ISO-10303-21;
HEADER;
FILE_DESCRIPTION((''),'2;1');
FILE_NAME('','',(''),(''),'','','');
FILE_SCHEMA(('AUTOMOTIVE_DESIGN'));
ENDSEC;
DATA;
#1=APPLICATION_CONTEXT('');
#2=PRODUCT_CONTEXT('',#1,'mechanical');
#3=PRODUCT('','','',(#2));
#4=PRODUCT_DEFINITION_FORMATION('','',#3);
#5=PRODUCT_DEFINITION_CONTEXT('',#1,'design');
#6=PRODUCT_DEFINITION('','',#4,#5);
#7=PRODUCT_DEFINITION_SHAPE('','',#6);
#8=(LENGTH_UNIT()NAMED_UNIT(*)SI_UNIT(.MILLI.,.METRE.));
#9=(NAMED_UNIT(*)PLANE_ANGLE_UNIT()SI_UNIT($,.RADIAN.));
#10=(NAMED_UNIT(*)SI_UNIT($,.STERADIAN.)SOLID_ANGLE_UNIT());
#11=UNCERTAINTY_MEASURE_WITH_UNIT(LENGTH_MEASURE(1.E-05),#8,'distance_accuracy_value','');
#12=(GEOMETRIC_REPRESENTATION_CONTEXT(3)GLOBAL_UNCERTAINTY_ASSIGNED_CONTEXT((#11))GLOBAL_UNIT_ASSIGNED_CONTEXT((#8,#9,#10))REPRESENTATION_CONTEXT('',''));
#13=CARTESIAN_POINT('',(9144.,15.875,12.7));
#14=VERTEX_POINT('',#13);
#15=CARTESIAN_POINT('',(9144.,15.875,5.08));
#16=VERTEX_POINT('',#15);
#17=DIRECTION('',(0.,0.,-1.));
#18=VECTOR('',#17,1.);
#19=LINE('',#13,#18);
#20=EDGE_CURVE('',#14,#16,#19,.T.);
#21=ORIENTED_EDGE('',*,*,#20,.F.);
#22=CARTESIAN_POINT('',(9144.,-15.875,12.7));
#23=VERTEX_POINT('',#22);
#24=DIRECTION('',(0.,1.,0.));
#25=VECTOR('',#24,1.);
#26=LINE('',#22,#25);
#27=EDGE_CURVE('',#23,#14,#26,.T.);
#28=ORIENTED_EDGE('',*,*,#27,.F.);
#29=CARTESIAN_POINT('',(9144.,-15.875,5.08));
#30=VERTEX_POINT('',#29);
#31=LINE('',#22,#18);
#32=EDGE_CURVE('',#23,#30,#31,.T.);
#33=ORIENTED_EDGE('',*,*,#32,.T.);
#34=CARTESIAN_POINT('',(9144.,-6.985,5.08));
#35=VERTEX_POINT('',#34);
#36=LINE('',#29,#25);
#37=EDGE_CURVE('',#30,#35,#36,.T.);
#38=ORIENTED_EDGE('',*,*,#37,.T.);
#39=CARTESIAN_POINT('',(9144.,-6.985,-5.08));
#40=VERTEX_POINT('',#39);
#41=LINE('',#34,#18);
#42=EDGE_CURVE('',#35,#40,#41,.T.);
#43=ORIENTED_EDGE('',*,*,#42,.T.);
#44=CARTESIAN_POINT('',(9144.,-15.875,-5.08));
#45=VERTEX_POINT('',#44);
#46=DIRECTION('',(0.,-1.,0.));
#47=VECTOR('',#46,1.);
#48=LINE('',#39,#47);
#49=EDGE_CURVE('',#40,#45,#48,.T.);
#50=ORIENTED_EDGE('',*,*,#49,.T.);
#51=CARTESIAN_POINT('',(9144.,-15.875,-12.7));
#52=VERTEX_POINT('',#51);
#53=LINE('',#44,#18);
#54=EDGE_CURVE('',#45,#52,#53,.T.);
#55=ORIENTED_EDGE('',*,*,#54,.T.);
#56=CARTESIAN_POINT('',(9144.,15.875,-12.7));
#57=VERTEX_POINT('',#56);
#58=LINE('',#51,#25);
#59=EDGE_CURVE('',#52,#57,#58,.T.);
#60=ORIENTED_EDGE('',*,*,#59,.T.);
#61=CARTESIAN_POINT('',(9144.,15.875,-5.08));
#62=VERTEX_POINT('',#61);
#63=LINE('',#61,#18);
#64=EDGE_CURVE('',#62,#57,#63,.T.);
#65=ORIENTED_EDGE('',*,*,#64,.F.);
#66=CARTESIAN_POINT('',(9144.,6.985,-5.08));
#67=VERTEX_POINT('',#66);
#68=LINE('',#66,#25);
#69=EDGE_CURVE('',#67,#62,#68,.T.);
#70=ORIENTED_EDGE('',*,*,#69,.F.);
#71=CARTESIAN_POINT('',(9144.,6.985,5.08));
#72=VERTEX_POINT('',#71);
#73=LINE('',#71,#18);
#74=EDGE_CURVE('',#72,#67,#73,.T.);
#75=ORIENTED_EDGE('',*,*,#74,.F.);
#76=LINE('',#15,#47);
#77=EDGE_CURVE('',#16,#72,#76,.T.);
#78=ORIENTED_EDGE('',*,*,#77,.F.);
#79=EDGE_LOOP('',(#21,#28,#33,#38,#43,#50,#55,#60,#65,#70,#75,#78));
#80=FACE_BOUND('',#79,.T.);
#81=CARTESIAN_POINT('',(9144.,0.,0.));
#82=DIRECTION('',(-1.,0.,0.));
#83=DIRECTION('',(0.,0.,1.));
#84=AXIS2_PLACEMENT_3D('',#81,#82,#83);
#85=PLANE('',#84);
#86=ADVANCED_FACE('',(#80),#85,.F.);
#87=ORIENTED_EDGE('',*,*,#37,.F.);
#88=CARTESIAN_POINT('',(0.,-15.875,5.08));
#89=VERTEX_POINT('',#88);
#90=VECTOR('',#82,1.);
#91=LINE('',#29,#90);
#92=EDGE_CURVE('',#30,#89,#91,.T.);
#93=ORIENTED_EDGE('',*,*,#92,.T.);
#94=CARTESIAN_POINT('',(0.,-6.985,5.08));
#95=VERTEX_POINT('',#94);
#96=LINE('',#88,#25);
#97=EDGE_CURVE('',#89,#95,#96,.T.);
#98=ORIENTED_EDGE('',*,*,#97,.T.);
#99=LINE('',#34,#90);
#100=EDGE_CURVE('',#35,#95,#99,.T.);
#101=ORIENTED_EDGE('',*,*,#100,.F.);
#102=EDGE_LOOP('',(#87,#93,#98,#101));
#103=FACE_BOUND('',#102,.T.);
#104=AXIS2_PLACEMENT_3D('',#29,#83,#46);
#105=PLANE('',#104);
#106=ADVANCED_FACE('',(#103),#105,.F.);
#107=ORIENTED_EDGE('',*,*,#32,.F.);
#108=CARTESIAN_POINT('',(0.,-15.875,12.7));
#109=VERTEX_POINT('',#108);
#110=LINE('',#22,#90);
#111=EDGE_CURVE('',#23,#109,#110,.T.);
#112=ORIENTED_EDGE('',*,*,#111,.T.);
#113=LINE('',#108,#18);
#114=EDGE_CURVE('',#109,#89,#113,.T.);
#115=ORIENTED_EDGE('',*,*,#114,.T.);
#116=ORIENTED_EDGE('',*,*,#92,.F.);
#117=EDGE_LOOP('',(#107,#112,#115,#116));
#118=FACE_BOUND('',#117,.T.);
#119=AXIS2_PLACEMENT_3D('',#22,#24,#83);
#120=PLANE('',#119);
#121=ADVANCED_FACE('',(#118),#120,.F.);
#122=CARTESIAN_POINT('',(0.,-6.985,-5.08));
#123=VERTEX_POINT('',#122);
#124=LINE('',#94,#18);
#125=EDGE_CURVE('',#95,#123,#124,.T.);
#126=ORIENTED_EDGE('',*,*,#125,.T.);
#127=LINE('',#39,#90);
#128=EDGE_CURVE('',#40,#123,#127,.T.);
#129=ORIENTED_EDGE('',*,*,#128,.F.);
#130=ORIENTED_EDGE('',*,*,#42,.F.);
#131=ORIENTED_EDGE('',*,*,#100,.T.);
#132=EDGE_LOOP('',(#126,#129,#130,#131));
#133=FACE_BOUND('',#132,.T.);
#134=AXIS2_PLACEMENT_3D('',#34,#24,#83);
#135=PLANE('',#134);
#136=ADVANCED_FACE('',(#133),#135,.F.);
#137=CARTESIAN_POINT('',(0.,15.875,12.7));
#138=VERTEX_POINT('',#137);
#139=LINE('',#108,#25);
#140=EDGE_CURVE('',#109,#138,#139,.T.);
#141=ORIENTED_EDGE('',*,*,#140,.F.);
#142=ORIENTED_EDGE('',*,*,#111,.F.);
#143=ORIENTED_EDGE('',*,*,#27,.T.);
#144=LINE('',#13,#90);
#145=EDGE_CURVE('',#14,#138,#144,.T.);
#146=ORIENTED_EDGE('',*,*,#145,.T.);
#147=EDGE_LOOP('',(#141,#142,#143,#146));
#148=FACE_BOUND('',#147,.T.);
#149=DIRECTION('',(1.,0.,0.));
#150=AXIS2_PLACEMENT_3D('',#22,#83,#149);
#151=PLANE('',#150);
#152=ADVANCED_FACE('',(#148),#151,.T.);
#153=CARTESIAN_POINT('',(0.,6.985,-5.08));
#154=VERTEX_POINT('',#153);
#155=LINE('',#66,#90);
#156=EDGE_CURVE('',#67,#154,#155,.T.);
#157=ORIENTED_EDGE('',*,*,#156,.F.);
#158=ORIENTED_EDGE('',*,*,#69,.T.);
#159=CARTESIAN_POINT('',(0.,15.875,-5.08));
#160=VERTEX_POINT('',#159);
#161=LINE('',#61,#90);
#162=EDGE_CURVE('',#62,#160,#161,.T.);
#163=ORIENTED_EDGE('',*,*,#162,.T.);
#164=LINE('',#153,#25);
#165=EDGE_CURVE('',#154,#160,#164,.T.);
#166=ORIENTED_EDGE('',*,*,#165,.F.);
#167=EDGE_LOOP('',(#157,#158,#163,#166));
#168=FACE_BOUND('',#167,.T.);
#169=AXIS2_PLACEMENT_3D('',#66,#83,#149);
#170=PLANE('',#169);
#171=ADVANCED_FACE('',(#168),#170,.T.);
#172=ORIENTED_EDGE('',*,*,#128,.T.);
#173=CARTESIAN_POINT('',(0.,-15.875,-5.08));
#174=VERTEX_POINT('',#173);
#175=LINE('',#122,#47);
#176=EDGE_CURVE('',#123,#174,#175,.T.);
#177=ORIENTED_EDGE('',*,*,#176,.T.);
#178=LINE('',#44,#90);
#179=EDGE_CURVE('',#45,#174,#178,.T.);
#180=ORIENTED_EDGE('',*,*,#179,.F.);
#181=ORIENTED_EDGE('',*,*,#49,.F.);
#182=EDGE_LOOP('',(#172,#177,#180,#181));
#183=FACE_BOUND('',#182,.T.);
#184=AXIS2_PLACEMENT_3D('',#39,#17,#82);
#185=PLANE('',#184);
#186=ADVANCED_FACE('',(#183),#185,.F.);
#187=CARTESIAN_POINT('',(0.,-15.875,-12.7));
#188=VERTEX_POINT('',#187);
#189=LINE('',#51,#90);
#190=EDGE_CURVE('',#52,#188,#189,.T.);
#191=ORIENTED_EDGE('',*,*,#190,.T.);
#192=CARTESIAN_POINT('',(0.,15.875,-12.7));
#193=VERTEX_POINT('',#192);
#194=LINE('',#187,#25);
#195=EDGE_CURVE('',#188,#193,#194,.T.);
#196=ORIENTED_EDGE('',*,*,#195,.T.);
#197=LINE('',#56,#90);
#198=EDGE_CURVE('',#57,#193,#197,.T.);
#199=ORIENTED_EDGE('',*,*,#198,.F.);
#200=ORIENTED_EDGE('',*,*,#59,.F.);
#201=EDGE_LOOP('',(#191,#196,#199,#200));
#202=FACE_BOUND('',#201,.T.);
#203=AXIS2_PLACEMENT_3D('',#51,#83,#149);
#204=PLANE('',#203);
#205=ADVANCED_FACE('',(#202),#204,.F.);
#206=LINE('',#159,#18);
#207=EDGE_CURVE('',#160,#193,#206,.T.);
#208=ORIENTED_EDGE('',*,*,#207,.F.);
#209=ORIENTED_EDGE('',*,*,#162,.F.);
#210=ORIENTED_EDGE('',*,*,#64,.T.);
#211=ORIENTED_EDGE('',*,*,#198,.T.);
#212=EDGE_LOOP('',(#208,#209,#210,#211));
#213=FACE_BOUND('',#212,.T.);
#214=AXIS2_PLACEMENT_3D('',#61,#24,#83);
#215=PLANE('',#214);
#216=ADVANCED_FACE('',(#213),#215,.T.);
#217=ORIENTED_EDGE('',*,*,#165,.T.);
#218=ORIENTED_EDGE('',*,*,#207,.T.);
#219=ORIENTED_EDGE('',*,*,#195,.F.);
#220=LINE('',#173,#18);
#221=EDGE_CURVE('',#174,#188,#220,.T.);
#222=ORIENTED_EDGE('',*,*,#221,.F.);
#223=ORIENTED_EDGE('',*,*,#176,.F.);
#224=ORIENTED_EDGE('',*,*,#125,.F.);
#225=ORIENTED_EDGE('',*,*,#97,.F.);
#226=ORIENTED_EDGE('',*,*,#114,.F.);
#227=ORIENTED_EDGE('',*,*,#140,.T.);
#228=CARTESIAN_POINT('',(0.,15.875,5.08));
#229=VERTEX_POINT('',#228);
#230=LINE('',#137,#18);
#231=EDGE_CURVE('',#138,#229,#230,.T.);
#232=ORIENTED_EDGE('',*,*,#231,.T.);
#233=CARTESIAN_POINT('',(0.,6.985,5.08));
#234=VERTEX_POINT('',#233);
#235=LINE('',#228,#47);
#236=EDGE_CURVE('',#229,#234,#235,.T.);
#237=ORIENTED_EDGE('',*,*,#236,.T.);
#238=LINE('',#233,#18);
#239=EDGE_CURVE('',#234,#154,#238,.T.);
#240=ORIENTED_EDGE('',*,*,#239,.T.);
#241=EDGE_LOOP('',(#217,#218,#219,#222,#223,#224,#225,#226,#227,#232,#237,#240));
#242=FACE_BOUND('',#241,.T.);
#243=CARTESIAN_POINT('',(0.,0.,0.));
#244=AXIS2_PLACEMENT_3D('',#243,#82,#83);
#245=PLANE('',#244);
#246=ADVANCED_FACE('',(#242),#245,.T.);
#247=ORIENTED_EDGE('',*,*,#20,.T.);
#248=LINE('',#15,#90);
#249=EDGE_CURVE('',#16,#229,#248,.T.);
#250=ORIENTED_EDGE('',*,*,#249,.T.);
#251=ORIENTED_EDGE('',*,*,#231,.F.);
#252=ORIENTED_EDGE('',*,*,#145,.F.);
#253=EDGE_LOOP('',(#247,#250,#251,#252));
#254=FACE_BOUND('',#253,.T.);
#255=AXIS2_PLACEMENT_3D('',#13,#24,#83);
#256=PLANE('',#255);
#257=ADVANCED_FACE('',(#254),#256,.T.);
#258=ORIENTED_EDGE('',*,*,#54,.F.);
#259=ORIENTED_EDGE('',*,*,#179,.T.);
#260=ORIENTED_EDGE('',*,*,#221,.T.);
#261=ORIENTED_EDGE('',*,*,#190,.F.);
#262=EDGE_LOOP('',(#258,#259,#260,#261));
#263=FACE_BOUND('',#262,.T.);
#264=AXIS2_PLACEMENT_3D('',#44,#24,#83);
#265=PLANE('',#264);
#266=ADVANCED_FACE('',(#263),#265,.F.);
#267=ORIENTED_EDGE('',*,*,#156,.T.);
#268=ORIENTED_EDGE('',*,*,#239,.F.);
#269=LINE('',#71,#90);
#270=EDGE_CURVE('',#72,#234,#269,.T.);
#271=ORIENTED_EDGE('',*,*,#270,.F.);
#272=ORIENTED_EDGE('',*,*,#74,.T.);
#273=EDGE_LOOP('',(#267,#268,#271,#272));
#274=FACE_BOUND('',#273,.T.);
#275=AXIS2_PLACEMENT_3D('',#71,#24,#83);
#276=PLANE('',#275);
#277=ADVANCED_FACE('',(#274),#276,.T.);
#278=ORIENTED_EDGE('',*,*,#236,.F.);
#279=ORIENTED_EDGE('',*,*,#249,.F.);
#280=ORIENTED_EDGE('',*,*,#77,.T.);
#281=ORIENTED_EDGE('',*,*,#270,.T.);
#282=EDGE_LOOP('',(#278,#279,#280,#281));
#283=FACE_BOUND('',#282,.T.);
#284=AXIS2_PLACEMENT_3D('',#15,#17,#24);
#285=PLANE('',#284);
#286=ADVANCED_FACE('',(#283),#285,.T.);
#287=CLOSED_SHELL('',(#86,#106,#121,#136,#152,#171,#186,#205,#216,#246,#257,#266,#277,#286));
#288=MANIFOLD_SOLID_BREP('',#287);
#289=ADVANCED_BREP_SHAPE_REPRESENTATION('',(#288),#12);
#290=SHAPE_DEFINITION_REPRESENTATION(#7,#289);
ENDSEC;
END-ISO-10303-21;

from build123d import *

# Parameters (mm, degrees)
BOSS_EXTRUDE1_DEPTH = 9144


with BuildPart() as part:
    # Sketch1 → Boss-Extrude1 (new body)
    with BuildSketch(Plane(origin=(0, 0, 0), x_dir=(0, 0, -1), z_dir=(1, 0, 0))):
        Polygon((5.08, -15.875), (12.7, -15.875), (12.7, 15.875), (5.08, 15.875), (5.08, 6.985), (-5.08, 6.985), (-5.08, 15.875), (-12.7, 15.875), (-12.7, -15.875), (-5.08, -15.875), (-5.08, -6.985), (5.08, -6.985), align=None)
    extrude(amount=BOSS_EXTRUDE1_DEPTH)


solid = part.part
